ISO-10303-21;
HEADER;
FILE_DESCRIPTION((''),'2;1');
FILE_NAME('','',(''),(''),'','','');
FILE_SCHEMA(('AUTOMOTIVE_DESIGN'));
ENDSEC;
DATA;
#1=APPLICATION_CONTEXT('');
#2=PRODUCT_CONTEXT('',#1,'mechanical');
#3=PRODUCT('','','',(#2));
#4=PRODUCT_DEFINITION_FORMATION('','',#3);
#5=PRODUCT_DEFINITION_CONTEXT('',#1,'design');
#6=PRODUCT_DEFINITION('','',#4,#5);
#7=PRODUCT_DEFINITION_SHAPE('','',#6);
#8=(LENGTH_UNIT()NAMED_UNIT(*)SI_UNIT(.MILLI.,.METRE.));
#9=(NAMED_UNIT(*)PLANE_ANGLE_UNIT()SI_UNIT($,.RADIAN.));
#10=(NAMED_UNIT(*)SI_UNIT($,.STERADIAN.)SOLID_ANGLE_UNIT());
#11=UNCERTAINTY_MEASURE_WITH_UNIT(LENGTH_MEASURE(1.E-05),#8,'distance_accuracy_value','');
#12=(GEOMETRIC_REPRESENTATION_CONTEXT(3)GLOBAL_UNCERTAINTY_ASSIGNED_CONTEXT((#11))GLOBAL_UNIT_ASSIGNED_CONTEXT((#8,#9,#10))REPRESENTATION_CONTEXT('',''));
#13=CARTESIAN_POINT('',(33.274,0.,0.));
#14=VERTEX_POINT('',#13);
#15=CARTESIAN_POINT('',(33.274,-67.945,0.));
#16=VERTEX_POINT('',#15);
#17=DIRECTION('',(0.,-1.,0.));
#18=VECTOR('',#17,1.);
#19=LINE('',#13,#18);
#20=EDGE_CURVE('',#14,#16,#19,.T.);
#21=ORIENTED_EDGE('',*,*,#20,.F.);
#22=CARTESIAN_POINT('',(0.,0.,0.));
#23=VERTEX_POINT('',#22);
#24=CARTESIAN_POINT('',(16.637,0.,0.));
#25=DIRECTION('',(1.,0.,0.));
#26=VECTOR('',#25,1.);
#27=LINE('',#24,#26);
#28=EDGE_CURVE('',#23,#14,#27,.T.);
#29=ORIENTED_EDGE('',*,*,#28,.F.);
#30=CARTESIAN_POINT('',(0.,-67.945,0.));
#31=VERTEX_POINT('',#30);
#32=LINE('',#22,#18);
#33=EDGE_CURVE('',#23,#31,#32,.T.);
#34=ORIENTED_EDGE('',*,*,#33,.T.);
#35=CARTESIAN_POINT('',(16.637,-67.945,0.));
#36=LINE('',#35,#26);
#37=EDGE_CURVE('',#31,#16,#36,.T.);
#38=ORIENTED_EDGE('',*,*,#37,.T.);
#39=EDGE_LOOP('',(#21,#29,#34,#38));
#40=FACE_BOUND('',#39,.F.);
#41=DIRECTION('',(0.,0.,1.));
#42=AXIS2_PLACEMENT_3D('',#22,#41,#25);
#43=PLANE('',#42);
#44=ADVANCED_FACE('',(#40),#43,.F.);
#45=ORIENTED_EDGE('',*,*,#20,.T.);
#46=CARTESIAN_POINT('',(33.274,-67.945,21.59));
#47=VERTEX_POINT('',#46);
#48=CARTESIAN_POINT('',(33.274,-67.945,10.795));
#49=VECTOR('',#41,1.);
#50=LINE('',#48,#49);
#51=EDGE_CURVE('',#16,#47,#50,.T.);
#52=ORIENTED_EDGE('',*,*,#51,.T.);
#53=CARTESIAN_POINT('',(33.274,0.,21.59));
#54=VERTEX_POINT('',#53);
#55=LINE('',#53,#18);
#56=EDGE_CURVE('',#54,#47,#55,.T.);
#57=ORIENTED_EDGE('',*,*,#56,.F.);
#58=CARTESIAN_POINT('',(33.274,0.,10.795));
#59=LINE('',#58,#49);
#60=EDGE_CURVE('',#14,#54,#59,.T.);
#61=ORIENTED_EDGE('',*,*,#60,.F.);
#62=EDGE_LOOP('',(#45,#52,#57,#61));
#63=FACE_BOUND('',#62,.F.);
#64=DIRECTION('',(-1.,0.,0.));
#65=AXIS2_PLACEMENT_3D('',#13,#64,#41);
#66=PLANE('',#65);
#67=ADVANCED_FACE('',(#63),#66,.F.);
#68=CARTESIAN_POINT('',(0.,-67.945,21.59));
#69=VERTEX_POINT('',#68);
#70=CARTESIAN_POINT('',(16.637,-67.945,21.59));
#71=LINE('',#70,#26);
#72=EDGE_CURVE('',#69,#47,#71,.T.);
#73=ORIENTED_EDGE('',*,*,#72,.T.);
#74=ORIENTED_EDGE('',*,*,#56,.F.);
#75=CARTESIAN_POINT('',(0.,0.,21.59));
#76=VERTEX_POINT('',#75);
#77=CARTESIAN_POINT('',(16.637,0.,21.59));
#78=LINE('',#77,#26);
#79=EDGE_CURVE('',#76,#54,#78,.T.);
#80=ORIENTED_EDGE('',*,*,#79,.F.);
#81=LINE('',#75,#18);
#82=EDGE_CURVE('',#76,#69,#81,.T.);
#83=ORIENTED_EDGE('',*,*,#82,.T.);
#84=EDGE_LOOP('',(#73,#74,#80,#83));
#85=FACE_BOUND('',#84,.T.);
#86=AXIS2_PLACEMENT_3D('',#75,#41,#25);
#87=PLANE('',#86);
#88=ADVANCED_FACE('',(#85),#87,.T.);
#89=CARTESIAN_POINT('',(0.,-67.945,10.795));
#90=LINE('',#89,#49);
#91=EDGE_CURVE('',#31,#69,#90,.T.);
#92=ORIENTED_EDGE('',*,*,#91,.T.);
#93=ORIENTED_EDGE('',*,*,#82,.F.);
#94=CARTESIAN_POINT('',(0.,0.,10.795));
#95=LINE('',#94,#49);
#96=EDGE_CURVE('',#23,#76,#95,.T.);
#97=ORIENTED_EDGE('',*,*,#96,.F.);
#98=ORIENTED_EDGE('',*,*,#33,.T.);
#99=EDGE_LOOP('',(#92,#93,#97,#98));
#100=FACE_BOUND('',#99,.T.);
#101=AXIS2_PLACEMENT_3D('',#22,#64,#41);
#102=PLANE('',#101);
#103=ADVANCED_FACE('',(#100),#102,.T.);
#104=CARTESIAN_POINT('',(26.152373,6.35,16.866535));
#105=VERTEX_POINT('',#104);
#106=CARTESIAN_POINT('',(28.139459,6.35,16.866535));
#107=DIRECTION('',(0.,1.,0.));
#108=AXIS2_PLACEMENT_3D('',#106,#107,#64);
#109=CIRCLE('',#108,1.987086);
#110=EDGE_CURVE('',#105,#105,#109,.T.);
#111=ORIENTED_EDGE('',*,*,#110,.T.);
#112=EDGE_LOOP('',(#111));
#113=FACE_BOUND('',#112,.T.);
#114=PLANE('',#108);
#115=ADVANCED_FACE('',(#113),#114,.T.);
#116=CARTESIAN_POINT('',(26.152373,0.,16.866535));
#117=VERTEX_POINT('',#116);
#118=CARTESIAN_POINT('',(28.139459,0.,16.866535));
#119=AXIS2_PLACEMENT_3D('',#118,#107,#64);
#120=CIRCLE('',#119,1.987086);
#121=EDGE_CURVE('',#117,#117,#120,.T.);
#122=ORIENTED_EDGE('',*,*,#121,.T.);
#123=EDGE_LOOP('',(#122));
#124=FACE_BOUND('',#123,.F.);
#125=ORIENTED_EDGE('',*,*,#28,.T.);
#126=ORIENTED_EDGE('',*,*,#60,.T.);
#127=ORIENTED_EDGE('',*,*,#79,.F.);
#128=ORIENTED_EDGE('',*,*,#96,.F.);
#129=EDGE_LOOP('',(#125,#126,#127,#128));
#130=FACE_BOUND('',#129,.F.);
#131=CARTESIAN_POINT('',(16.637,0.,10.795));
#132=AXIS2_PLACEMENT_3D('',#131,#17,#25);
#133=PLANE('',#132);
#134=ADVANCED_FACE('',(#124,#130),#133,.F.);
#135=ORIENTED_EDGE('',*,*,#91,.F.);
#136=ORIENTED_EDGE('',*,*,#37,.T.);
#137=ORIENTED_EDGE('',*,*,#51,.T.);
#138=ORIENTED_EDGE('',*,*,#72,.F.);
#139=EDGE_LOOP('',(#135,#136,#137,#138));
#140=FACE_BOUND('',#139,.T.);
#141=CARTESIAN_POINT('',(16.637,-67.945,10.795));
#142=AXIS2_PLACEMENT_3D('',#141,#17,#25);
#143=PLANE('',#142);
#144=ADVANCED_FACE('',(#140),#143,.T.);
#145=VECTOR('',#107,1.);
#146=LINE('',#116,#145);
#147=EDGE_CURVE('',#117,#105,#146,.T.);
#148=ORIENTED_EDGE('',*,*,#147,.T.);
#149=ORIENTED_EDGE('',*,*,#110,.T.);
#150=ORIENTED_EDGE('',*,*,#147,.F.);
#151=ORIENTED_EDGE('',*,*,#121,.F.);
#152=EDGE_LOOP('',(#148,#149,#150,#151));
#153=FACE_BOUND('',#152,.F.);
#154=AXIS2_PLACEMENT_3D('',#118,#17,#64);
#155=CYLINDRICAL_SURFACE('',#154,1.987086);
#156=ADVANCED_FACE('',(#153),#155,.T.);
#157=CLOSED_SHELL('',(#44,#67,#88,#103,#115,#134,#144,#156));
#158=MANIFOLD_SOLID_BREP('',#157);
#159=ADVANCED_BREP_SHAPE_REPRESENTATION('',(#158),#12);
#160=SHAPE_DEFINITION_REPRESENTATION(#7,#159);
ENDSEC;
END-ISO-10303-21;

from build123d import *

# Parameters (mm, degrees)
F0_W     = 33.274
F0_H     = 21.59
F1_DEPTH = 67.945
F2_R     = 1.987086
F3_DEPTH = 6.35


with BuildPart() as f1:
    # F0 (on Front) → F1 (new body)
    with BuildSketch(Plane.XZ):
        with Locations((16.637, 10.795)):
            Rectangle(F0_W, F0_H)
    extrude(amount=F1_DEPTH)

    # F2 (on face) → F3 (join)
    with BuildSketch(Plane(origin=(0, 0, 0), x_dir=(-1, 0, 0), z_dir=(0, 1, 0))):
        with Locations((-28.139459, 16.866535)):
            Circle(F2_R)
    extrude(amount=F3_DEPTH)


solid = f1.part
